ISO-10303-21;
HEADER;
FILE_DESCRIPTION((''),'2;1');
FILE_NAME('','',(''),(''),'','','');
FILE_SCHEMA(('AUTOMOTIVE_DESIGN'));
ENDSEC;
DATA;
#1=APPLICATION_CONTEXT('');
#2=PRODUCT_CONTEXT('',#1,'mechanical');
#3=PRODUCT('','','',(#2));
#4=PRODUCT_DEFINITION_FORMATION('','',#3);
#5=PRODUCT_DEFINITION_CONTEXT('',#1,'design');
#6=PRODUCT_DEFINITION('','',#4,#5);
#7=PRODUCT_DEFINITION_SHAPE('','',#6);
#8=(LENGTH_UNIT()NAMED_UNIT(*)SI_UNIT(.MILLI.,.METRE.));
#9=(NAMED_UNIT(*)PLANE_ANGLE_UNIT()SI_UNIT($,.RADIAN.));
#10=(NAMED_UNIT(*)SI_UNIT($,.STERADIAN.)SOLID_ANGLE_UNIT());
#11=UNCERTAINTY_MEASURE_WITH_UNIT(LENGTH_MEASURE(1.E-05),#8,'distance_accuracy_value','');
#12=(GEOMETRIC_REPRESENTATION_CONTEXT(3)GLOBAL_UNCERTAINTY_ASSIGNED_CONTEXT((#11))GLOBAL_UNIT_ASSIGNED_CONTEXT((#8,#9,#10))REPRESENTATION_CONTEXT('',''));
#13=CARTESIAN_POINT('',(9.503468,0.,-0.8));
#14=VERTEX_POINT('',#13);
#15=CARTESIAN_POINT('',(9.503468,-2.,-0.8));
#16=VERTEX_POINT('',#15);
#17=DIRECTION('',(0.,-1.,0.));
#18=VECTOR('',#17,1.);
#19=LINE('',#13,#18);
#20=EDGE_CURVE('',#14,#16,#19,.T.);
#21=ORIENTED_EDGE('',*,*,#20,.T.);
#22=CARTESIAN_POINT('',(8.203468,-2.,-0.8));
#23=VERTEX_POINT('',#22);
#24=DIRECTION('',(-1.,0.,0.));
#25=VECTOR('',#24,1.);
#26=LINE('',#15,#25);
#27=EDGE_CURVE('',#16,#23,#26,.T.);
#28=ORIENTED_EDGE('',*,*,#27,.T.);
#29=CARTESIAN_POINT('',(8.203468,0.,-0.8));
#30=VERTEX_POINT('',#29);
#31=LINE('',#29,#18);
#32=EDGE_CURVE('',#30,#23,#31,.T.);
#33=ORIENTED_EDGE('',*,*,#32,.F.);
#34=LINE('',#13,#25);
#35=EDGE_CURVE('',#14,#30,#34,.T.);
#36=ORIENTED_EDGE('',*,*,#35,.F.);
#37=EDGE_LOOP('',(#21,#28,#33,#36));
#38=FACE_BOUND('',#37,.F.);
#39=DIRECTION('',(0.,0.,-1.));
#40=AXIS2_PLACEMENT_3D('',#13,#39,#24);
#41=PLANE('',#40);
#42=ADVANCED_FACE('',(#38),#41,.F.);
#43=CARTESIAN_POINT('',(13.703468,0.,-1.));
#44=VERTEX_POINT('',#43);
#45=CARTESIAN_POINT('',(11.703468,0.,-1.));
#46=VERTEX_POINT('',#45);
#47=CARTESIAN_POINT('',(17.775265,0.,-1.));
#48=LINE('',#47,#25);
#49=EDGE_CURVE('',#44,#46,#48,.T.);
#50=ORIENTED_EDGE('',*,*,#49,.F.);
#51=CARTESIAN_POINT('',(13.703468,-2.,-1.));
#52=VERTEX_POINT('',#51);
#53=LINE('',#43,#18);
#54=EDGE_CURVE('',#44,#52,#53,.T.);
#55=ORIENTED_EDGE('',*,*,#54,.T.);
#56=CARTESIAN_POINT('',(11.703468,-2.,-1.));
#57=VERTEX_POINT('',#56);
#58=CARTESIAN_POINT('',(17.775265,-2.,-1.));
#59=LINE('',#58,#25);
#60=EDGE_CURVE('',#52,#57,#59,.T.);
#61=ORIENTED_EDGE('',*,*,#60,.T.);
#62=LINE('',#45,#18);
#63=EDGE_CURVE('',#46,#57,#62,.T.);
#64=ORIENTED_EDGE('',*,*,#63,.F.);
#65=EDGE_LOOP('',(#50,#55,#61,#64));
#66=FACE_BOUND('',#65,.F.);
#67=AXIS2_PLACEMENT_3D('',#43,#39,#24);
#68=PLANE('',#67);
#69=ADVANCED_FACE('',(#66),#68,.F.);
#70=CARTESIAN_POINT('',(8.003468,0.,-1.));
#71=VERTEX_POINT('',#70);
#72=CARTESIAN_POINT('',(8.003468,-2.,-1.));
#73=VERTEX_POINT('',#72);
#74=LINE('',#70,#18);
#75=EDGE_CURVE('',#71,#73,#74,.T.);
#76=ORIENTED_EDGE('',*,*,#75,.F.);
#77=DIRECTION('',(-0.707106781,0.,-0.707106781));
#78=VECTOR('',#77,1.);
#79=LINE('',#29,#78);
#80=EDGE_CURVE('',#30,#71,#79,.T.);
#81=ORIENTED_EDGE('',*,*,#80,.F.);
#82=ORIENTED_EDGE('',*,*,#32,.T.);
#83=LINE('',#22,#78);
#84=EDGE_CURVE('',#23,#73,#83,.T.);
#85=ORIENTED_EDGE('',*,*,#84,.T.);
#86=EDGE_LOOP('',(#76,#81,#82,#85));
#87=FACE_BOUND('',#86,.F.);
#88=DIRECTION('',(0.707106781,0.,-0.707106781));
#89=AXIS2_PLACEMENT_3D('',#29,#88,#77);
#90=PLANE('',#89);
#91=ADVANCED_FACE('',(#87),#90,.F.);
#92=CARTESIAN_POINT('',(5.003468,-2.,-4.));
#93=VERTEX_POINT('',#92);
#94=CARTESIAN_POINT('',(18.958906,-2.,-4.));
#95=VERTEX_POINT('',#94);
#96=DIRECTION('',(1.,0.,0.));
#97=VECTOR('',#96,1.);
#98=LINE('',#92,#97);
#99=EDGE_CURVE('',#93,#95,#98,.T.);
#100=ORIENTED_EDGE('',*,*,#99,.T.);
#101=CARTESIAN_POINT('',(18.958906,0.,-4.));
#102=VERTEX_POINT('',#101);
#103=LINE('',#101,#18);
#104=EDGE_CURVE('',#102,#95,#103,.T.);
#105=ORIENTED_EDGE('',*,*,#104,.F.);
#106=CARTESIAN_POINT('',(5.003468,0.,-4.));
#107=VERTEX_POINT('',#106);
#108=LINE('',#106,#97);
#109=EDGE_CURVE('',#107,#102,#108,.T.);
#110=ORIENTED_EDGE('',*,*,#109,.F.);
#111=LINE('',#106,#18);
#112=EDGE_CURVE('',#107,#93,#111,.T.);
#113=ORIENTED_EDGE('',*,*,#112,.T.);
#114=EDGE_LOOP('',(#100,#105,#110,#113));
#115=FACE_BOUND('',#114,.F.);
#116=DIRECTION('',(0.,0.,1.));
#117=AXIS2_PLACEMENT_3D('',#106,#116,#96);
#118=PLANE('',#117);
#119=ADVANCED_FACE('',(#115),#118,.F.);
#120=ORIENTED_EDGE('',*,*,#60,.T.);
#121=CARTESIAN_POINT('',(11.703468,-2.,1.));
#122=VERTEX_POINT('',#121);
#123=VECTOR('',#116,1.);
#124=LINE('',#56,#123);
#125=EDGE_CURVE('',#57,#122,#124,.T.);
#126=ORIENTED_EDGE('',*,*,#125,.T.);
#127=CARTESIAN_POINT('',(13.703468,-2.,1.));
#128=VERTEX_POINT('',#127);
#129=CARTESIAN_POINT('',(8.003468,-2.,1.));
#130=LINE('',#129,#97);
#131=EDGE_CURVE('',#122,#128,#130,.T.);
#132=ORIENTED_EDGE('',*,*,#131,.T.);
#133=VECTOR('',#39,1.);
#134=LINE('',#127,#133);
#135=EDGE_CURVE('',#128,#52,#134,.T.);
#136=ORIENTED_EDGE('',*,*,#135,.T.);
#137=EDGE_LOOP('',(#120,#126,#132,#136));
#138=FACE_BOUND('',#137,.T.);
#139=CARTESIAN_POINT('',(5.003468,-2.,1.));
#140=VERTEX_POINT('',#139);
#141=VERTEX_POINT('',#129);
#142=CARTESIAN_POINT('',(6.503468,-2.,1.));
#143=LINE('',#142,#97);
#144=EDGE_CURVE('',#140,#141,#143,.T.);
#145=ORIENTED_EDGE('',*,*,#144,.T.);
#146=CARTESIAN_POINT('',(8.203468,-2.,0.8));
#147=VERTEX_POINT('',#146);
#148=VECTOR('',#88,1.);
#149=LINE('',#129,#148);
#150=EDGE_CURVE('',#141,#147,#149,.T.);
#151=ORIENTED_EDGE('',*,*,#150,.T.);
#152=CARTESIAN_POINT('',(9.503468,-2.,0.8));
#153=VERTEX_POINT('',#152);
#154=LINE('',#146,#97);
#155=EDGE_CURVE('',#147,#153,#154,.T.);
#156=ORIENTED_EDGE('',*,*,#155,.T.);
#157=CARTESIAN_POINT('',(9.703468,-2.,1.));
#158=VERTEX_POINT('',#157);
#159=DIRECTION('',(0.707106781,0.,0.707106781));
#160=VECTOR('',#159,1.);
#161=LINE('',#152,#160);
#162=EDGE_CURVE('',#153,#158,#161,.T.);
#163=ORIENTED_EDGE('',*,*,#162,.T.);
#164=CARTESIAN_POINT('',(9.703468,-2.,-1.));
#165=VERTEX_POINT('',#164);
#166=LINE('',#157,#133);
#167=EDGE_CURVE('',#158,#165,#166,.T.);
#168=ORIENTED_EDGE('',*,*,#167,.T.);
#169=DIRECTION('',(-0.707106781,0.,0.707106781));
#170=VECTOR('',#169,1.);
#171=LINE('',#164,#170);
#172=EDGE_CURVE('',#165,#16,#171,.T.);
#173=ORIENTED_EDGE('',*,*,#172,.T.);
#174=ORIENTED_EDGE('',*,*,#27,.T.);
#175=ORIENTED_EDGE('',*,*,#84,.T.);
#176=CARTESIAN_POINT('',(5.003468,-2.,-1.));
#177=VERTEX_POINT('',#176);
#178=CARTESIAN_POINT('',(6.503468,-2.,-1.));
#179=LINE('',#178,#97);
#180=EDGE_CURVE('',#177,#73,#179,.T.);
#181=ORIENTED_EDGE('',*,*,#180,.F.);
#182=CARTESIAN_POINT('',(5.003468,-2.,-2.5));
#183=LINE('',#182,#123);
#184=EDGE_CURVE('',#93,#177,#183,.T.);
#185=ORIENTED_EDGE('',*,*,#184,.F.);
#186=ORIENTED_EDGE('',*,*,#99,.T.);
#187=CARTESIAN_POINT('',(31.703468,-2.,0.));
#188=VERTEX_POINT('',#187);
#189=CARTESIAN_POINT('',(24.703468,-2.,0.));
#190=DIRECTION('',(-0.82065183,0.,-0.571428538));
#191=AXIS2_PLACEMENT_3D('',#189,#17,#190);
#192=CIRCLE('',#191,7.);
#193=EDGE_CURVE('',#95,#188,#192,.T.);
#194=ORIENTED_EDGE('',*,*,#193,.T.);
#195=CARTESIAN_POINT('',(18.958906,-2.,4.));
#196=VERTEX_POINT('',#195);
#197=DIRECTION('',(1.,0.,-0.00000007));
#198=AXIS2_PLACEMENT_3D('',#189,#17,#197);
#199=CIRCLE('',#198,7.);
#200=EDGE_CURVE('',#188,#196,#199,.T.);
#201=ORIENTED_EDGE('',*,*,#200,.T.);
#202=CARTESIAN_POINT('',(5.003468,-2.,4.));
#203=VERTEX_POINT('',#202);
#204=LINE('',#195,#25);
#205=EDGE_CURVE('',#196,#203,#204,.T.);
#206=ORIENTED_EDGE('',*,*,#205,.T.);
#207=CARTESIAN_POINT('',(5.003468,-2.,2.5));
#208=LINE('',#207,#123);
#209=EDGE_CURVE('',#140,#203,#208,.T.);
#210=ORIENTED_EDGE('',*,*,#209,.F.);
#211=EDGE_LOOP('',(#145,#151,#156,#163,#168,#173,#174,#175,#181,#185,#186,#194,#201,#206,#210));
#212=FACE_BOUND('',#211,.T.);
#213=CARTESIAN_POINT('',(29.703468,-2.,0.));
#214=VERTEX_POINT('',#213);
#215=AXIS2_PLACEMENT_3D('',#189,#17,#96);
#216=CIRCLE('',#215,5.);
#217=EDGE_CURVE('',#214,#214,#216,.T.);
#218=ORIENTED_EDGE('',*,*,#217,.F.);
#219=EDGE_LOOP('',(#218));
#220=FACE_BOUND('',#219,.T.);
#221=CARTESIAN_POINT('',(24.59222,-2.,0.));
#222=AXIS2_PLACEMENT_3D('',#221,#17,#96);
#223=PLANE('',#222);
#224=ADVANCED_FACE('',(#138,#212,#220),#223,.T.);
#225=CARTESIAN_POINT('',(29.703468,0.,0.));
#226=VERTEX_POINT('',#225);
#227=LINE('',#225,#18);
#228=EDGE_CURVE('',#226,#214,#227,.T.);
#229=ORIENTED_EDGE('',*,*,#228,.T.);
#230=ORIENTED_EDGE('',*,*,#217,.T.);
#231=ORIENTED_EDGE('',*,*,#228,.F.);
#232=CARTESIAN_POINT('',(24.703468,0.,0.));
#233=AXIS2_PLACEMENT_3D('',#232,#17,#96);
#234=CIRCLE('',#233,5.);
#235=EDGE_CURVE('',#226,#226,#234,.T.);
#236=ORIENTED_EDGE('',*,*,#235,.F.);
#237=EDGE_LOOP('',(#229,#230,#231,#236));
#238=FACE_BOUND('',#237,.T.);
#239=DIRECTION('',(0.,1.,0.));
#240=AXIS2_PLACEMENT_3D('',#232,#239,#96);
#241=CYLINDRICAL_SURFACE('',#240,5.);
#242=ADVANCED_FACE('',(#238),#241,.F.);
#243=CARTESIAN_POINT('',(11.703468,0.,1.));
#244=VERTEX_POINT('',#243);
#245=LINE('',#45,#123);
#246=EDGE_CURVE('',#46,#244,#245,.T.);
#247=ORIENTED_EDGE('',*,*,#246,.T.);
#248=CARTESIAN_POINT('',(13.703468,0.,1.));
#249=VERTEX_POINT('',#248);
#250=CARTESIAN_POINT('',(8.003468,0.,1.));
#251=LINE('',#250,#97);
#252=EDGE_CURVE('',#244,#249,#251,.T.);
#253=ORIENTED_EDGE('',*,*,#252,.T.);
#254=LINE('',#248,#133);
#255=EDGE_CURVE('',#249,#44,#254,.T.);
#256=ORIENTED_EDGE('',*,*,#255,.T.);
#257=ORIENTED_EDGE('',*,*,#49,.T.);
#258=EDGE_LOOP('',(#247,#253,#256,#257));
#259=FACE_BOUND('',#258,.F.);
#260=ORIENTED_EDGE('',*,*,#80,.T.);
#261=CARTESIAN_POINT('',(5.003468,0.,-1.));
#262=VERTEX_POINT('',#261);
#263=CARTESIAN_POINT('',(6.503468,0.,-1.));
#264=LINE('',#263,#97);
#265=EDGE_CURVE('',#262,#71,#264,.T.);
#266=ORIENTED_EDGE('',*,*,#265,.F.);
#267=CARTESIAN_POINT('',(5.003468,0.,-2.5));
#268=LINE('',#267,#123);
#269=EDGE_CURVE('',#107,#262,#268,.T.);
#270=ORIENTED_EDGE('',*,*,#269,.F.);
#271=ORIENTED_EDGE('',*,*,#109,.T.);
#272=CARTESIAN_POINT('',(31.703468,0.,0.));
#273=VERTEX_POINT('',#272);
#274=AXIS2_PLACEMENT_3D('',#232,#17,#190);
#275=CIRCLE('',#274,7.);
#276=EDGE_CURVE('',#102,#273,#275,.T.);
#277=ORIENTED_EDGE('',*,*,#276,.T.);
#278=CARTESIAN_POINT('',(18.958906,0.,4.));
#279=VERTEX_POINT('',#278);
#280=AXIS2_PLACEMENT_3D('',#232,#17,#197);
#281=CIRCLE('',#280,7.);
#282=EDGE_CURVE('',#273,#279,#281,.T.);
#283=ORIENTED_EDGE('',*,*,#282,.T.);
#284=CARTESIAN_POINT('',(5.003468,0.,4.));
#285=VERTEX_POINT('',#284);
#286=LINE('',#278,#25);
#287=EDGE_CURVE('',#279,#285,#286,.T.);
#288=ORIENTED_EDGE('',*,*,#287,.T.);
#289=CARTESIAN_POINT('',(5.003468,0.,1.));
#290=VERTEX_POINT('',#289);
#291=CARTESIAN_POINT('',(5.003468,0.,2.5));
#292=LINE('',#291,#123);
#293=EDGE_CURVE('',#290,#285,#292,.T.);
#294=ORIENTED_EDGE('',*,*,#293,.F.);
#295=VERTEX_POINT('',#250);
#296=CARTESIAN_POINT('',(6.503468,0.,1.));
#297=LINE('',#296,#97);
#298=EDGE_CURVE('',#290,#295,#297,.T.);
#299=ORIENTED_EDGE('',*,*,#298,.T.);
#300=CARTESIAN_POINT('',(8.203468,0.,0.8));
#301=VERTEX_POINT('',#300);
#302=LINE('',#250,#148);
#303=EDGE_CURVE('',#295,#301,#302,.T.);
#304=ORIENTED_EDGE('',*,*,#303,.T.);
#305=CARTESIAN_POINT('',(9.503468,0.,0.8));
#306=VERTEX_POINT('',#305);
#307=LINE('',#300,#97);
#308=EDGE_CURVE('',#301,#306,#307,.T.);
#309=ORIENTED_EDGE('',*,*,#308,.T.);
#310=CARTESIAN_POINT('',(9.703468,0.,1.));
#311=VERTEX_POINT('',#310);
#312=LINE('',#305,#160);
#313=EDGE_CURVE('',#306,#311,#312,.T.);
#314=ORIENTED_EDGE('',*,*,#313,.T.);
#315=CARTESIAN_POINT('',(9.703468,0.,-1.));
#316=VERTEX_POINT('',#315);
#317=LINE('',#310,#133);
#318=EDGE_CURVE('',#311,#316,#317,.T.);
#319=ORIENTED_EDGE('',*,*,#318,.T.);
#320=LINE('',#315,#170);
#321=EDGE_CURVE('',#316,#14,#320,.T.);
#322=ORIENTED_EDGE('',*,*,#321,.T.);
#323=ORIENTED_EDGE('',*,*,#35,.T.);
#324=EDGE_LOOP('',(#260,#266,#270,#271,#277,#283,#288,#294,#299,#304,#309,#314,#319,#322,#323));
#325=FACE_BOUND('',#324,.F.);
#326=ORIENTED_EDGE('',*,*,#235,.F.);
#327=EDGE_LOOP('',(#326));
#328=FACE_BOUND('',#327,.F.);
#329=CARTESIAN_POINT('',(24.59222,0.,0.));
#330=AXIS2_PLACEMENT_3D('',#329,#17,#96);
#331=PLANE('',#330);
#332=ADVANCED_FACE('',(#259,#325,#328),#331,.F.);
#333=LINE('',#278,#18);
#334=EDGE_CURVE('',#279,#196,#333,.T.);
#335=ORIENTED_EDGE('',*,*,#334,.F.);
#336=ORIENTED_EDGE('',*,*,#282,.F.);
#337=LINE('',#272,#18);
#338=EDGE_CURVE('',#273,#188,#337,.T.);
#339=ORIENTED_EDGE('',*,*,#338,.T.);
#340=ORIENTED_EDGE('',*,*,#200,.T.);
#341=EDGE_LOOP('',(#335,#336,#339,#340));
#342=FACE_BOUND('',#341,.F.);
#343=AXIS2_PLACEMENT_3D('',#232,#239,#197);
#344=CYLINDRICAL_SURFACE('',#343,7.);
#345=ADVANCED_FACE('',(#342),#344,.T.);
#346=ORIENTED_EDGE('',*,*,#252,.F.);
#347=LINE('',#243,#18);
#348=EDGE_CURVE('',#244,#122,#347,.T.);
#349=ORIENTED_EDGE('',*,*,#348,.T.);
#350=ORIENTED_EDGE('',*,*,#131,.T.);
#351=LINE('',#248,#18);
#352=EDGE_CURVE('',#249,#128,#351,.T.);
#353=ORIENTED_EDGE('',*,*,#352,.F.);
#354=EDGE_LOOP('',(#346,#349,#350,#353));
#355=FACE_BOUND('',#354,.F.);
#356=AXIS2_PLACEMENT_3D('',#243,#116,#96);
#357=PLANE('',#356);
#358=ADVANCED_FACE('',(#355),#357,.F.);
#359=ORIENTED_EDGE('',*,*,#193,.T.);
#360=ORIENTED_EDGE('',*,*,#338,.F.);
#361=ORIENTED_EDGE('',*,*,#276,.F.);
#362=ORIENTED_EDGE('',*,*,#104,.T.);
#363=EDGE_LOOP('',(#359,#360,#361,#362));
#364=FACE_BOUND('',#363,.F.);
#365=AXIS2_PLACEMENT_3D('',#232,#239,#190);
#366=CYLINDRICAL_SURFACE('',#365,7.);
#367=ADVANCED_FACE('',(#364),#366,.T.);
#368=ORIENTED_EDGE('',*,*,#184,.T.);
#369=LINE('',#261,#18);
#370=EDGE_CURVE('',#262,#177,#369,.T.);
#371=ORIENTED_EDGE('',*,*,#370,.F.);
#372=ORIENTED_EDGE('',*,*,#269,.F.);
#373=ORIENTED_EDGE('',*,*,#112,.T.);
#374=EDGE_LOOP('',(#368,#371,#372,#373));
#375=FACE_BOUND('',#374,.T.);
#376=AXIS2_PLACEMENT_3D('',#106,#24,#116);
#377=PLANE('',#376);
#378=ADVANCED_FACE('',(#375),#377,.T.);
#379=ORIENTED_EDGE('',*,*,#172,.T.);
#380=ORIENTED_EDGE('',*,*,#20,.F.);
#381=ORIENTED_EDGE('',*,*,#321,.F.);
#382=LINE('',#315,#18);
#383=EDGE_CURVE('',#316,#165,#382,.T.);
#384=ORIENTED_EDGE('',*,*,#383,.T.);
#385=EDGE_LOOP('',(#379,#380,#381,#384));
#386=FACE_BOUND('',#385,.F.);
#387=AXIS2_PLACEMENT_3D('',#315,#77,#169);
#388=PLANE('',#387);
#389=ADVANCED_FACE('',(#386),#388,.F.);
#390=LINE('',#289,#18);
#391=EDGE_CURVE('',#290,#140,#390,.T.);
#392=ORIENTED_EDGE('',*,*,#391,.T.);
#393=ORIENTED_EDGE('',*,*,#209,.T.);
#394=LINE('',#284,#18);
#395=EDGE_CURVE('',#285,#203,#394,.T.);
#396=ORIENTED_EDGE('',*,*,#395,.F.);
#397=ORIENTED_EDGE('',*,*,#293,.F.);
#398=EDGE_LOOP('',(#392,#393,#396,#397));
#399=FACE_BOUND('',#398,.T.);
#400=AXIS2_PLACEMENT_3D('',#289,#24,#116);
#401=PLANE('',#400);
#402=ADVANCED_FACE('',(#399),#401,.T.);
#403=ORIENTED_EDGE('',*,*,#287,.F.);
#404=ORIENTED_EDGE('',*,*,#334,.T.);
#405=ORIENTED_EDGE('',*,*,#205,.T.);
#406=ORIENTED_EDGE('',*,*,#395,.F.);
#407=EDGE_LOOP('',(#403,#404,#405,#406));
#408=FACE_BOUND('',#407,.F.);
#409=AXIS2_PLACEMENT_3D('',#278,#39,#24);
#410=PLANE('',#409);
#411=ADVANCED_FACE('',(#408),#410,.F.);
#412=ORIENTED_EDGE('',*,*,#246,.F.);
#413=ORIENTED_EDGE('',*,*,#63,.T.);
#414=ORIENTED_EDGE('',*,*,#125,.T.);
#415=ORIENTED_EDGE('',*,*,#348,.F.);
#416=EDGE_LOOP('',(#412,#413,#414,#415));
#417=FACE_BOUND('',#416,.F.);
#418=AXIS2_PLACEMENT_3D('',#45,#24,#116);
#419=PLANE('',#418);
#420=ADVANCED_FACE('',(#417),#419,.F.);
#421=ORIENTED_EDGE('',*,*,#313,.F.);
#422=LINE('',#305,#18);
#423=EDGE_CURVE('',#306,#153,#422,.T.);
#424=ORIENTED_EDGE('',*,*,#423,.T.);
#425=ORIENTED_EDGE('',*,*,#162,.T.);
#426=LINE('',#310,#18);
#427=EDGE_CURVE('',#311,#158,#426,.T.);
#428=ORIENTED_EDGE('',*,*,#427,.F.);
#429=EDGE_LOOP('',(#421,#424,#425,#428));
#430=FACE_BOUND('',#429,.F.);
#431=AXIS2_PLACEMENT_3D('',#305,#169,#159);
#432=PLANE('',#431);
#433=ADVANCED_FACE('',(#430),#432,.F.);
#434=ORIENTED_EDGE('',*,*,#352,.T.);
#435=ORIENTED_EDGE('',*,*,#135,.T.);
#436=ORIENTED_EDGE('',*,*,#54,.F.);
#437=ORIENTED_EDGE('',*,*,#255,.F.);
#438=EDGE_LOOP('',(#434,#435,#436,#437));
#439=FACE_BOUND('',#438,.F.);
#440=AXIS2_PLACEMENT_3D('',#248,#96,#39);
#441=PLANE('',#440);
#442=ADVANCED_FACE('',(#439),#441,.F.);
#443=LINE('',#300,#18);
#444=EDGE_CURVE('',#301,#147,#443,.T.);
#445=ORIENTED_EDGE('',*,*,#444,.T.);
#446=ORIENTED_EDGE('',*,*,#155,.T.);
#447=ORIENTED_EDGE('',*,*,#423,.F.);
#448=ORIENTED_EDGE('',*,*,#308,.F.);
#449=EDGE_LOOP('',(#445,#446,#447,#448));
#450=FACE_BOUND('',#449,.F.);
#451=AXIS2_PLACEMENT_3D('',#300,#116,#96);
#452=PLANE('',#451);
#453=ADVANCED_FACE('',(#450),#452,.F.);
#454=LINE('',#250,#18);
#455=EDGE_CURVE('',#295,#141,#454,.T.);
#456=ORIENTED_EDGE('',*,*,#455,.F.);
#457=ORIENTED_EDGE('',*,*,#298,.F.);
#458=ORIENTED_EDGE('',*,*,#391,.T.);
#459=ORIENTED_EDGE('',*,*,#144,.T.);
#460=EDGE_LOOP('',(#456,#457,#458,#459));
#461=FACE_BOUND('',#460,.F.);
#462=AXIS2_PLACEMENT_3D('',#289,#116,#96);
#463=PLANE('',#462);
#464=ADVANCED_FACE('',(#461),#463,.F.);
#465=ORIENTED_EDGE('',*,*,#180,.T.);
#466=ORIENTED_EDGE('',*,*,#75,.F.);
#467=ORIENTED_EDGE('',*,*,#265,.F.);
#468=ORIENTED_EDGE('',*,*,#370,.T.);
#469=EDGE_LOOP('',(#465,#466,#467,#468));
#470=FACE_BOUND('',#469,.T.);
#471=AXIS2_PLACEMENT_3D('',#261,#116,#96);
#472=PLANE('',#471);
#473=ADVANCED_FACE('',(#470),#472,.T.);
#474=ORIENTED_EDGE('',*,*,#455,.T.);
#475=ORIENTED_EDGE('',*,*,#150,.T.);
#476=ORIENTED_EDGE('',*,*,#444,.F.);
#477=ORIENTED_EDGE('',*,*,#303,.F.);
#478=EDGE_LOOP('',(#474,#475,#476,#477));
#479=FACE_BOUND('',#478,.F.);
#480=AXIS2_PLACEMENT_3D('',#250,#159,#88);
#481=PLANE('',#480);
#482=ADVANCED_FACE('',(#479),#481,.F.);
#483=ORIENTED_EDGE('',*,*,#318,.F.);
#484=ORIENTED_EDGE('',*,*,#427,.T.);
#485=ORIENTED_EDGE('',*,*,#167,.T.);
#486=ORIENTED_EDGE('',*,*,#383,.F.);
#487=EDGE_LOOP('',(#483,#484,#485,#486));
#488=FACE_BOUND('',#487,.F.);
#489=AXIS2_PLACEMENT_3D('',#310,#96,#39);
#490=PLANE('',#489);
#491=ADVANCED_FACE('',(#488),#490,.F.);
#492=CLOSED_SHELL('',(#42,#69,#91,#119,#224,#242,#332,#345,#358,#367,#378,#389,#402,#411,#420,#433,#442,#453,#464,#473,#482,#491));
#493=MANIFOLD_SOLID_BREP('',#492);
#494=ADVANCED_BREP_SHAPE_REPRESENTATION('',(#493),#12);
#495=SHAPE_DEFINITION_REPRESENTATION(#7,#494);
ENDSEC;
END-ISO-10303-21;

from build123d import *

# Parameters (mm, degrees)
F0_R     = 5
F0_W     = 3
F0_H     = 3
F1_DEPTH = 2


with BuildPart() as f1:
    # F0 (on Front) → F1 (new body)
    with BuildSketch(Plane.XZ):
        with BuildLine():
            ThreePointArc((18.958906, -4), (26.799663, -6.67877), (31.703468, 0))
            ThreePointArc((31.703468, 0), (26.799663, 6.67877), (18.958906, 4))
            ThreePointArc((18.958906, 4), (18.191959, 2.569095), (17.775265, 1))
            ThreePointArc((17.775265, 1), (17.703468, 0), (17.775265, -1))
            ThreePointArc((17.775265, -1), (18.191959, -2.569095), (18.958906, -4))
        make_face()
        with Locations((24.703468, 0)):
            Circle(F0_R, mode=Mode.SUBTRACT)
        with BuildLine():
            ThreePointArc((17.775265, 1), (18.191959, 2.569095), (18.958906, 4))
            Line((18.958906, 4), (8.003468, 4))
            Line((8.003468, 4), (8.003468, 1))
            Line((8.003468, 1), (9.703468, 1))
            Line((9.703468, 1), (11.703468, 1))
            Line((11.703468, 1), (13.703468, 1))
            Line((13.703468, 1), (17.775265, 1))
        make_face()
        with BuildLine():
            ThreePointArc((17.775265, -1), (17.703468, 0), (17.775265, 1))
            Line((17.775265, 1), (13.703468, 1))
            Line((13.703468, 1), (13.703468, -1))
            Line((13.703468, -1), (17.775265, -1))
        make_face()
        Polygon((11.703468, -1), (11.703468, 1), (9.703468, 1), (9.703468, 0), (9.703468, -1), align=None)
        with BuildLine():
            Line((8.003468, -4), (18.958906, -4))
            ThreePointArc((18.958906, -4), (18.191959, -2.569095), (17.775265, -1))
            Line((17.775265, -1), (13.703468, -1))
            Line((13.703468, -1), (11.703468, -1))
            Line((11.703468, -1), (9.703468, -1))
            Line((9.703468, -1), (8.003468, -1))
            Line((8.003468, -1), (8.003468, -4))
        make_face()
        Polygon((8.203468, -0.8), (8.003468, -1), (9.703468, -1), (9.503468, -0.8), align=None)
        Polygon((9.703468, 1), (8.003468, 1), (8.203468, 0.8), (9.503468, 0.8), align=None)
        with Locations((6.503468, 2.5)):
            Rectangle(F0_W, F0_H)
        with Locations((6.503468, -2.5)):
            Rectangle(F0_W, F0_H)
    extrude(amount=F1_DEPTH)


solid = f1.part
